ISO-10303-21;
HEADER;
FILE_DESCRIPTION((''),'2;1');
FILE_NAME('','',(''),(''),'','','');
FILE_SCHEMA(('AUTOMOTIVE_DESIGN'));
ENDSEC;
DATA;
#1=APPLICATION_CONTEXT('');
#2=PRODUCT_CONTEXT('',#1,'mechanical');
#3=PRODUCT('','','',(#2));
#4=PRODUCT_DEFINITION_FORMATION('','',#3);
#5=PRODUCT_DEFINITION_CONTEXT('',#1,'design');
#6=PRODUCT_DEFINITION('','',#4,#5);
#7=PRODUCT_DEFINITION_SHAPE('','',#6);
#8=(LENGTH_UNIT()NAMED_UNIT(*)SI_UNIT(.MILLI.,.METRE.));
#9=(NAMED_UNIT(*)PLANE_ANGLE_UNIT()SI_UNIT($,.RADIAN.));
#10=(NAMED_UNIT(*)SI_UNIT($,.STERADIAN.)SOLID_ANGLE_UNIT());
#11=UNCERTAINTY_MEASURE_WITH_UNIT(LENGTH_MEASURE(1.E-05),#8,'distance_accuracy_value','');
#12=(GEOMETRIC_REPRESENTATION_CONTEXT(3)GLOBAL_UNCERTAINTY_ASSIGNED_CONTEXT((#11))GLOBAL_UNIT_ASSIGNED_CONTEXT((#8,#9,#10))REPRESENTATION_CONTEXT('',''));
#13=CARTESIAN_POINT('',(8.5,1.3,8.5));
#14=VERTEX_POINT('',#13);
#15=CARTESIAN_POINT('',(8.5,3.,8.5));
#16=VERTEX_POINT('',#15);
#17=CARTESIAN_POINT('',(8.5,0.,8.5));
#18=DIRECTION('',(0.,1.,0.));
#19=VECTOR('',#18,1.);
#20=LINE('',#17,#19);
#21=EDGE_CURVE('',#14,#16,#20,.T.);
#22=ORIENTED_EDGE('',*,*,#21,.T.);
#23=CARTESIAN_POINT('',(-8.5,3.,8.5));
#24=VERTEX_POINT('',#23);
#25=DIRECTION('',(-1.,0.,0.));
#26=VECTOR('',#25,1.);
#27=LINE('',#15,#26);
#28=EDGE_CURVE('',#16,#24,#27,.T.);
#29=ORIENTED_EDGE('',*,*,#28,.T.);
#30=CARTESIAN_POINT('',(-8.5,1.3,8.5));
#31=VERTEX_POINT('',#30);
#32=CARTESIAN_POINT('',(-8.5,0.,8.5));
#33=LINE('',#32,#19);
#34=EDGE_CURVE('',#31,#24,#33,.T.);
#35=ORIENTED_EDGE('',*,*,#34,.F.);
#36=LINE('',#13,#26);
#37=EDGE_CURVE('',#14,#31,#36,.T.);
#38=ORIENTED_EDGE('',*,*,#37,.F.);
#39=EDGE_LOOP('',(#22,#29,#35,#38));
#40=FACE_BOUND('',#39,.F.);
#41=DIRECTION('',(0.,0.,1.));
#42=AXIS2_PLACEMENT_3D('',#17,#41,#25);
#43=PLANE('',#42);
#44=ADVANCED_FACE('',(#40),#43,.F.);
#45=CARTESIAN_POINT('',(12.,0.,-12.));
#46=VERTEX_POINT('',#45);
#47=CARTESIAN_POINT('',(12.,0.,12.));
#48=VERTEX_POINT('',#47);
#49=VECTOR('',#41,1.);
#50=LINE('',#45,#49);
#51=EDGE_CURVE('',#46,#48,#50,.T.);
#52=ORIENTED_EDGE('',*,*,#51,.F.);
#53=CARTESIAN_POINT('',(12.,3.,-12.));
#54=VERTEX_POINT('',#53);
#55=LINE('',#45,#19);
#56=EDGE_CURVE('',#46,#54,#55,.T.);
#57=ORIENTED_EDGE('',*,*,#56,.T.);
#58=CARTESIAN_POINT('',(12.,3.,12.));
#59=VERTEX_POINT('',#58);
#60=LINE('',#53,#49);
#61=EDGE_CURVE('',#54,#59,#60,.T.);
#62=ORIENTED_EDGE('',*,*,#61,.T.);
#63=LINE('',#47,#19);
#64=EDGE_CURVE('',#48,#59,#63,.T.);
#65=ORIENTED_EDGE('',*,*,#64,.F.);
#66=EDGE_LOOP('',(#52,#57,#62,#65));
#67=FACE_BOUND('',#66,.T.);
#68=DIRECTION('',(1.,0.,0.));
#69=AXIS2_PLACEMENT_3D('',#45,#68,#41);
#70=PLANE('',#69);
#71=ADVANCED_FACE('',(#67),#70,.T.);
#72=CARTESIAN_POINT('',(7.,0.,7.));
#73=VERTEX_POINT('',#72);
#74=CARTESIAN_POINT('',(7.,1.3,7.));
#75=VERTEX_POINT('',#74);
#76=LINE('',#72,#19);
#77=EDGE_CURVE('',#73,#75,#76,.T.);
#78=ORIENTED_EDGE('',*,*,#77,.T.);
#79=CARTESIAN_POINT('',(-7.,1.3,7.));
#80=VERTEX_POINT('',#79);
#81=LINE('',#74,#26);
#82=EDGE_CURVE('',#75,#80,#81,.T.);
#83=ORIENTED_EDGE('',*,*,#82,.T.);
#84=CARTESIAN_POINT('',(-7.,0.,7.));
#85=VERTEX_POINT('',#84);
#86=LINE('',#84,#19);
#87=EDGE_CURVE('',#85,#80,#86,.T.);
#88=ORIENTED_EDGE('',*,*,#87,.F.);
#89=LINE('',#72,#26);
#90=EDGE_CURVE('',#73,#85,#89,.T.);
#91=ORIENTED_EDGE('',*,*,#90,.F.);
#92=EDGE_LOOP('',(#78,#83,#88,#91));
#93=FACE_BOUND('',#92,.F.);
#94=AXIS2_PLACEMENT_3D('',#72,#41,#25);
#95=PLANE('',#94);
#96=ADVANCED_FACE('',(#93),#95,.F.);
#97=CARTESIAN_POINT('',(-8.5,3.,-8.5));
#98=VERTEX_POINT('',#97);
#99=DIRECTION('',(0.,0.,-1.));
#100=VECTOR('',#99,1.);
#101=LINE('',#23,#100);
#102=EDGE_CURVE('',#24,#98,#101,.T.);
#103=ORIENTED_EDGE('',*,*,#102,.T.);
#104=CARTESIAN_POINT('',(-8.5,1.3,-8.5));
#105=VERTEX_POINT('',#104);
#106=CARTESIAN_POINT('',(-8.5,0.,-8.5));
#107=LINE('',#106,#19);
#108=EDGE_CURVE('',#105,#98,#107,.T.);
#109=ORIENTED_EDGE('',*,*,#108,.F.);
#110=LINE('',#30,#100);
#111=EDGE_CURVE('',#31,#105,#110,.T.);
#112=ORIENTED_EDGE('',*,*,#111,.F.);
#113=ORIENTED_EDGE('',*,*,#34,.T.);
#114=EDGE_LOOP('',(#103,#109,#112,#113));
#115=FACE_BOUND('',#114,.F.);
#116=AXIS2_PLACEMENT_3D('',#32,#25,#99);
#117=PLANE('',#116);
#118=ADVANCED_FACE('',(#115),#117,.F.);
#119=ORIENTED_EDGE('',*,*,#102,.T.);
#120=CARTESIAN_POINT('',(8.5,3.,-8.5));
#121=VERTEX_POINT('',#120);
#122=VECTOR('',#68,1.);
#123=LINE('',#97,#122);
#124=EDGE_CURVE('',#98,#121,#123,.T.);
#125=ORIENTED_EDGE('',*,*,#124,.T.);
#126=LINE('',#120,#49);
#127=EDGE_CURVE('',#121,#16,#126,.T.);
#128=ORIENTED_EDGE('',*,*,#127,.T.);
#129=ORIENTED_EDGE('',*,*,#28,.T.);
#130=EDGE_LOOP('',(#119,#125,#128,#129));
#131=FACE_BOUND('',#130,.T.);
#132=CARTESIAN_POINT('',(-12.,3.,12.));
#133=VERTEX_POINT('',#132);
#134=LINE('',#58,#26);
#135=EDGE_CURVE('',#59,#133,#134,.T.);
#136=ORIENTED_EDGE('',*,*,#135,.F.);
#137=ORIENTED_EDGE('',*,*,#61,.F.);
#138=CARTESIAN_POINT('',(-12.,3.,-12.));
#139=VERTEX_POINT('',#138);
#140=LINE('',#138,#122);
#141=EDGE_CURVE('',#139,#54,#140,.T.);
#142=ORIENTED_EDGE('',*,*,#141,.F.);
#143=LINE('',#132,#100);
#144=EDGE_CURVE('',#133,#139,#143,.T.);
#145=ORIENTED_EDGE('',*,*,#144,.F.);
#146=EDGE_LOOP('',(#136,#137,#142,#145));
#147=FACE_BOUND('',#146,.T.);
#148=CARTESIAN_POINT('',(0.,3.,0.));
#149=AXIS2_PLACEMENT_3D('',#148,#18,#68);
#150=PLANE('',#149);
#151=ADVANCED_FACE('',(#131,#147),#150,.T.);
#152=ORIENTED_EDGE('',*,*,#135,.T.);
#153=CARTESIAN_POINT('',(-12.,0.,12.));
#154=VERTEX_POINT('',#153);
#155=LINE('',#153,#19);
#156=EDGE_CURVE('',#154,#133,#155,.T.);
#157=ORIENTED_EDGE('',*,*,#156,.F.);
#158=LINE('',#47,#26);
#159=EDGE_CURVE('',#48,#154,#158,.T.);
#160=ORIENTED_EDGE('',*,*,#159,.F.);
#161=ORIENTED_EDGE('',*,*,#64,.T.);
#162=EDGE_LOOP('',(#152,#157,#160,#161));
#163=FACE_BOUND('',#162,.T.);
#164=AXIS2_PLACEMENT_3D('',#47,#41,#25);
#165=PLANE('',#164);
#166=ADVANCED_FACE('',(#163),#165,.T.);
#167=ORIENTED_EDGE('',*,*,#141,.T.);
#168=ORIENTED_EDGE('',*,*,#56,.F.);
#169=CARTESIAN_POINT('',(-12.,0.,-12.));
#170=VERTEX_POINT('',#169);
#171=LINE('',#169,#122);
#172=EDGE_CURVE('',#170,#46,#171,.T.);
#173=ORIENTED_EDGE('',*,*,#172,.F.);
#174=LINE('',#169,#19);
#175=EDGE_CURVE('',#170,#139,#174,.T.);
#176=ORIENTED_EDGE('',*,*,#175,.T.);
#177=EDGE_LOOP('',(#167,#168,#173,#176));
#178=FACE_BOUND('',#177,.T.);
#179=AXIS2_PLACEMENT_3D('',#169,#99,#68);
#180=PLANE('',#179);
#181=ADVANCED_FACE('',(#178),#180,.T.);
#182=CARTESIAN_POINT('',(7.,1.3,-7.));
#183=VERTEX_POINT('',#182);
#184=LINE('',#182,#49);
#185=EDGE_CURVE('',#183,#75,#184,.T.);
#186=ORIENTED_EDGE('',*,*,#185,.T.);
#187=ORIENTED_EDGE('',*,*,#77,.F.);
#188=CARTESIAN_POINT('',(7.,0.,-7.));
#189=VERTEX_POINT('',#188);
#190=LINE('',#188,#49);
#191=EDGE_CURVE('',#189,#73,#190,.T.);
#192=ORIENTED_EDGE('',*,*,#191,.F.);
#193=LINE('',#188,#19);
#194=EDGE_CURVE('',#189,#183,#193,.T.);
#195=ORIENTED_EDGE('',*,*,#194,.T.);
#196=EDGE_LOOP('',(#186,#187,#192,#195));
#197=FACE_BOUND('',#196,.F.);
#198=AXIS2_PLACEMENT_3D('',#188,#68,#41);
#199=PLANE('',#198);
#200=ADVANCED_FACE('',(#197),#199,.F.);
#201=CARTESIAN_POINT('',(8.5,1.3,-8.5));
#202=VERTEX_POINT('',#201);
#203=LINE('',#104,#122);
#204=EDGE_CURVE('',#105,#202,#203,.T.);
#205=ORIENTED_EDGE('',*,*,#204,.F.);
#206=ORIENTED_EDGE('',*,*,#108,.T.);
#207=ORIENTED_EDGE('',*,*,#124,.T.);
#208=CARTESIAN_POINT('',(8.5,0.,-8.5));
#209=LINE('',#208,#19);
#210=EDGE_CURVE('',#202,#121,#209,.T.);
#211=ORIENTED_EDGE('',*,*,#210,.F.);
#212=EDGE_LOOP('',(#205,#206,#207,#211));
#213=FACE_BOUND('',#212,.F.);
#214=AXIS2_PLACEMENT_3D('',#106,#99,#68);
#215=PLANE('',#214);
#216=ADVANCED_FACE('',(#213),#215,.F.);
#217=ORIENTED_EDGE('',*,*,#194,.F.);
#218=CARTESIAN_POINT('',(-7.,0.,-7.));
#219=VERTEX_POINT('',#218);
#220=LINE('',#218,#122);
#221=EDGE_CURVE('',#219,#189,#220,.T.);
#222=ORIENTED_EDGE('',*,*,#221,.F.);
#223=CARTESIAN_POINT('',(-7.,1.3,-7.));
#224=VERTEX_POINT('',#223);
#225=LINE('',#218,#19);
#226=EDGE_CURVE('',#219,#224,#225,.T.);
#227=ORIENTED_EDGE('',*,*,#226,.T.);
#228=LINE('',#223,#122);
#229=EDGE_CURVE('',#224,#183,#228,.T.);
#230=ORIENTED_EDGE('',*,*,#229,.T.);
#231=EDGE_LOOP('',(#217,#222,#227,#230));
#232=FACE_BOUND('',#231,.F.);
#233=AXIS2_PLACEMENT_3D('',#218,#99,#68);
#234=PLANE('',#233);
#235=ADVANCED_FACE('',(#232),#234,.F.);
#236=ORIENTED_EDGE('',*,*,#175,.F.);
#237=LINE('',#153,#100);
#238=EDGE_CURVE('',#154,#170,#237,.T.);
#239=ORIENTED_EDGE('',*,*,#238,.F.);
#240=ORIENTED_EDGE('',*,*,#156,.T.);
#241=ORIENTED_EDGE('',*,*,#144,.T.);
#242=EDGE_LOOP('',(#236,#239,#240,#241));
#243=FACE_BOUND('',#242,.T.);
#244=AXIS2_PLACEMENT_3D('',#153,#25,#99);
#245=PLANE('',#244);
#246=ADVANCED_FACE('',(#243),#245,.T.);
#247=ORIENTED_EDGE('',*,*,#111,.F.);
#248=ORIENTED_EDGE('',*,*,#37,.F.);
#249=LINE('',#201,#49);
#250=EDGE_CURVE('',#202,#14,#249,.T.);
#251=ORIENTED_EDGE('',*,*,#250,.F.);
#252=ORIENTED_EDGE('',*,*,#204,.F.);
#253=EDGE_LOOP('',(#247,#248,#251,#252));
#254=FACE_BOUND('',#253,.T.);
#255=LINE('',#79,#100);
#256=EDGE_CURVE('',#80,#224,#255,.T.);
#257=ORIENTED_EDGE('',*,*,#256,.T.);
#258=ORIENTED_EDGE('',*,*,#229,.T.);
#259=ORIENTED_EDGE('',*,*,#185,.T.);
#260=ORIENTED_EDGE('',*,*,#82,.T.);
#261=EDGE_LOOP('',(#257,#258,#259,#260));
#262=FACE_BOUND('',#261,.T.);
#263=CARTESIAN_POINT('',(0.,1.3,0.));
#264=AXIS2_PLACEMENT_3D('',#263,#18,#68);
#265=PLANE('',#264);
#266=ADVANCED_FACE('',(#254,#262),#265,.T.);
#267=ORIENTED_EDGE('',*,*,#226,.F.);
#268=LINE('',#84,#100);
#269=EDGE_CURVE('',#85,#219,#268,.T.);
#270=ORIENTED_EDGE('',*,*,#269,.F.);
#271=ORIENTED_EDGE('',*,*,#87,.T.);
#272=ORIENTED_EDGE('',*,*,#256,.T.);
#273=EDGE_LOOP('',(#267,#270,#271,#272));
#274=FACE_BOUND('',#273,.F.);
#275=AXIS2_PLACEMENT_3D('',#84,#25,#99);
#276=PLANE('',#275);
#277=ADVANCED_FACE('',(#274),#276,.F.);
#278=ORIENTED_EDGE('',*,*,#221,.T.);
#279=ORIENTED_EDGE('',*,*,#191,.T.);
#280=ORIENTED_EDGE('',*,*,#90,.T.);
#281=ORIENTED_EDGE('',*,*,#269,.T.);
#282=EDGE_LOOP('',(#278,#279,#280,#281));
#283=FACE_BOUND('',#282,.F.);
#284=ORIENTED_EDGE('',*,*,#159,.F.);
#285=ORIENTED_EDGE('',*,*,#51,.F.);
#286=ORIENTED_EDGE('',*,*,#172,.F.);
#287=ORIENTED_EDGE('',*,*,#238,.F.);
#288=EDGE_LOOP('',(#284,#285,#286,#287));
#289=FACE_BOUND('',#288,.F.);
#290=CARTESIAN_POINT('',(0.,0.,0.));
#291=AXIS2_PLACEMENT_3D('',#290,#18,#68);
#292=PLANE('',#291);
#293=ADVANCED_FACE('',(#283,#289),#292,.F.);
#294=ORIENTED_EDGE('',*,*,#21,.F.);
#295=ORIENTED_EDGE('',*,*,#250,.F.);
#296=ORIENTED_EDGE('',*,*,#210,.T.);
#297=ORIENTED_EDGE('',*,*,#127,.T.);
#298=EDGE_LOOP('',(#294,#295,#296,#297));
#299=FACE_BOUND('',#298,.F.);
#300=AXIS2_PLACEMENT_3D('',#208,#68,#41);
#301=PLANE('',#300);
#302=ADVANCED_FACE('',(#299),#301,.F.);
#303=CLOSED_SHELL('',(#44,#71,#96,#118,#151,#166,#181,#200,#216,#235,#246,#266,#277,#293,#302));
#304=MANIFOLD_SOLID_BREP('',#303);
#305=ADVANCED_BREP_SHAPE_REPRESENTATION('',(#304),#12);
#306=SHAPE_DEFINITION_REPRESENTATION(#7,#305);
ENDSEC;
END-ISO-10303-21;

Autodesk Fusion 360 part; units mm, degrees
sketch "Switch" plane through (0, 0, 0) normal (0, 1, 0) x (1, 0, 0)
  line L0 (-7, 7) -> (7, 7)
  line L1 (-8.5, -8.5) -> (-8.5, 8.5)
  line L2 (7, -7) -> (-7, -7)
  line L3 (-8.5, 8.5) -> (8.5, 8.5)
  line L4 (-8.5, -8.5) -> (8.5, 8.5) construction
  line L5 (-7, -7) -> (7, 7) construction
  line L6 (8.5, -8.5) -> (-8.5, -8.5)
  line L7 (-7, -7) -> (-7, 7)
  line L8 (7, 7) -> (7, -7)
  line L9 (8.5, 8.5) -> (8.5, -8.5)
  line L10 (8.5, -8.5) -> (-8.5, 8.5) construction
  line L11 (7, -7) -> (-7, 7) construction
  line L12 (-12, 12) -> (12, 12)
  line L13 (12, 12) -> (12, -12)
  line L14 (12, -12) -> (-12, -12)
  line L15 (-12, -12) -> (-12, 12)
  line L16 (-12, 12) -> (12, -12) construction
  line L17 (12, 12) -> (-12, -12) construction
  dimension "d1" = 14
  dimension "d2" = 14
  dimension "d3" = 1.5
  dimension "d4" = 1.5
  dimension "d5" = 1.5
  dimension "d6" = 1.5
  dimension "d7" = 24
  dimension "d8" = 24
extrude "Switch Extrusion" add sketch "Switch" along normal blind 3 contours L12 L13 L14 L15
extrude "Switch Hole Extrusion" add sketch "Switch" along normal blind 1.3 contours L1 L3 L6 L9
